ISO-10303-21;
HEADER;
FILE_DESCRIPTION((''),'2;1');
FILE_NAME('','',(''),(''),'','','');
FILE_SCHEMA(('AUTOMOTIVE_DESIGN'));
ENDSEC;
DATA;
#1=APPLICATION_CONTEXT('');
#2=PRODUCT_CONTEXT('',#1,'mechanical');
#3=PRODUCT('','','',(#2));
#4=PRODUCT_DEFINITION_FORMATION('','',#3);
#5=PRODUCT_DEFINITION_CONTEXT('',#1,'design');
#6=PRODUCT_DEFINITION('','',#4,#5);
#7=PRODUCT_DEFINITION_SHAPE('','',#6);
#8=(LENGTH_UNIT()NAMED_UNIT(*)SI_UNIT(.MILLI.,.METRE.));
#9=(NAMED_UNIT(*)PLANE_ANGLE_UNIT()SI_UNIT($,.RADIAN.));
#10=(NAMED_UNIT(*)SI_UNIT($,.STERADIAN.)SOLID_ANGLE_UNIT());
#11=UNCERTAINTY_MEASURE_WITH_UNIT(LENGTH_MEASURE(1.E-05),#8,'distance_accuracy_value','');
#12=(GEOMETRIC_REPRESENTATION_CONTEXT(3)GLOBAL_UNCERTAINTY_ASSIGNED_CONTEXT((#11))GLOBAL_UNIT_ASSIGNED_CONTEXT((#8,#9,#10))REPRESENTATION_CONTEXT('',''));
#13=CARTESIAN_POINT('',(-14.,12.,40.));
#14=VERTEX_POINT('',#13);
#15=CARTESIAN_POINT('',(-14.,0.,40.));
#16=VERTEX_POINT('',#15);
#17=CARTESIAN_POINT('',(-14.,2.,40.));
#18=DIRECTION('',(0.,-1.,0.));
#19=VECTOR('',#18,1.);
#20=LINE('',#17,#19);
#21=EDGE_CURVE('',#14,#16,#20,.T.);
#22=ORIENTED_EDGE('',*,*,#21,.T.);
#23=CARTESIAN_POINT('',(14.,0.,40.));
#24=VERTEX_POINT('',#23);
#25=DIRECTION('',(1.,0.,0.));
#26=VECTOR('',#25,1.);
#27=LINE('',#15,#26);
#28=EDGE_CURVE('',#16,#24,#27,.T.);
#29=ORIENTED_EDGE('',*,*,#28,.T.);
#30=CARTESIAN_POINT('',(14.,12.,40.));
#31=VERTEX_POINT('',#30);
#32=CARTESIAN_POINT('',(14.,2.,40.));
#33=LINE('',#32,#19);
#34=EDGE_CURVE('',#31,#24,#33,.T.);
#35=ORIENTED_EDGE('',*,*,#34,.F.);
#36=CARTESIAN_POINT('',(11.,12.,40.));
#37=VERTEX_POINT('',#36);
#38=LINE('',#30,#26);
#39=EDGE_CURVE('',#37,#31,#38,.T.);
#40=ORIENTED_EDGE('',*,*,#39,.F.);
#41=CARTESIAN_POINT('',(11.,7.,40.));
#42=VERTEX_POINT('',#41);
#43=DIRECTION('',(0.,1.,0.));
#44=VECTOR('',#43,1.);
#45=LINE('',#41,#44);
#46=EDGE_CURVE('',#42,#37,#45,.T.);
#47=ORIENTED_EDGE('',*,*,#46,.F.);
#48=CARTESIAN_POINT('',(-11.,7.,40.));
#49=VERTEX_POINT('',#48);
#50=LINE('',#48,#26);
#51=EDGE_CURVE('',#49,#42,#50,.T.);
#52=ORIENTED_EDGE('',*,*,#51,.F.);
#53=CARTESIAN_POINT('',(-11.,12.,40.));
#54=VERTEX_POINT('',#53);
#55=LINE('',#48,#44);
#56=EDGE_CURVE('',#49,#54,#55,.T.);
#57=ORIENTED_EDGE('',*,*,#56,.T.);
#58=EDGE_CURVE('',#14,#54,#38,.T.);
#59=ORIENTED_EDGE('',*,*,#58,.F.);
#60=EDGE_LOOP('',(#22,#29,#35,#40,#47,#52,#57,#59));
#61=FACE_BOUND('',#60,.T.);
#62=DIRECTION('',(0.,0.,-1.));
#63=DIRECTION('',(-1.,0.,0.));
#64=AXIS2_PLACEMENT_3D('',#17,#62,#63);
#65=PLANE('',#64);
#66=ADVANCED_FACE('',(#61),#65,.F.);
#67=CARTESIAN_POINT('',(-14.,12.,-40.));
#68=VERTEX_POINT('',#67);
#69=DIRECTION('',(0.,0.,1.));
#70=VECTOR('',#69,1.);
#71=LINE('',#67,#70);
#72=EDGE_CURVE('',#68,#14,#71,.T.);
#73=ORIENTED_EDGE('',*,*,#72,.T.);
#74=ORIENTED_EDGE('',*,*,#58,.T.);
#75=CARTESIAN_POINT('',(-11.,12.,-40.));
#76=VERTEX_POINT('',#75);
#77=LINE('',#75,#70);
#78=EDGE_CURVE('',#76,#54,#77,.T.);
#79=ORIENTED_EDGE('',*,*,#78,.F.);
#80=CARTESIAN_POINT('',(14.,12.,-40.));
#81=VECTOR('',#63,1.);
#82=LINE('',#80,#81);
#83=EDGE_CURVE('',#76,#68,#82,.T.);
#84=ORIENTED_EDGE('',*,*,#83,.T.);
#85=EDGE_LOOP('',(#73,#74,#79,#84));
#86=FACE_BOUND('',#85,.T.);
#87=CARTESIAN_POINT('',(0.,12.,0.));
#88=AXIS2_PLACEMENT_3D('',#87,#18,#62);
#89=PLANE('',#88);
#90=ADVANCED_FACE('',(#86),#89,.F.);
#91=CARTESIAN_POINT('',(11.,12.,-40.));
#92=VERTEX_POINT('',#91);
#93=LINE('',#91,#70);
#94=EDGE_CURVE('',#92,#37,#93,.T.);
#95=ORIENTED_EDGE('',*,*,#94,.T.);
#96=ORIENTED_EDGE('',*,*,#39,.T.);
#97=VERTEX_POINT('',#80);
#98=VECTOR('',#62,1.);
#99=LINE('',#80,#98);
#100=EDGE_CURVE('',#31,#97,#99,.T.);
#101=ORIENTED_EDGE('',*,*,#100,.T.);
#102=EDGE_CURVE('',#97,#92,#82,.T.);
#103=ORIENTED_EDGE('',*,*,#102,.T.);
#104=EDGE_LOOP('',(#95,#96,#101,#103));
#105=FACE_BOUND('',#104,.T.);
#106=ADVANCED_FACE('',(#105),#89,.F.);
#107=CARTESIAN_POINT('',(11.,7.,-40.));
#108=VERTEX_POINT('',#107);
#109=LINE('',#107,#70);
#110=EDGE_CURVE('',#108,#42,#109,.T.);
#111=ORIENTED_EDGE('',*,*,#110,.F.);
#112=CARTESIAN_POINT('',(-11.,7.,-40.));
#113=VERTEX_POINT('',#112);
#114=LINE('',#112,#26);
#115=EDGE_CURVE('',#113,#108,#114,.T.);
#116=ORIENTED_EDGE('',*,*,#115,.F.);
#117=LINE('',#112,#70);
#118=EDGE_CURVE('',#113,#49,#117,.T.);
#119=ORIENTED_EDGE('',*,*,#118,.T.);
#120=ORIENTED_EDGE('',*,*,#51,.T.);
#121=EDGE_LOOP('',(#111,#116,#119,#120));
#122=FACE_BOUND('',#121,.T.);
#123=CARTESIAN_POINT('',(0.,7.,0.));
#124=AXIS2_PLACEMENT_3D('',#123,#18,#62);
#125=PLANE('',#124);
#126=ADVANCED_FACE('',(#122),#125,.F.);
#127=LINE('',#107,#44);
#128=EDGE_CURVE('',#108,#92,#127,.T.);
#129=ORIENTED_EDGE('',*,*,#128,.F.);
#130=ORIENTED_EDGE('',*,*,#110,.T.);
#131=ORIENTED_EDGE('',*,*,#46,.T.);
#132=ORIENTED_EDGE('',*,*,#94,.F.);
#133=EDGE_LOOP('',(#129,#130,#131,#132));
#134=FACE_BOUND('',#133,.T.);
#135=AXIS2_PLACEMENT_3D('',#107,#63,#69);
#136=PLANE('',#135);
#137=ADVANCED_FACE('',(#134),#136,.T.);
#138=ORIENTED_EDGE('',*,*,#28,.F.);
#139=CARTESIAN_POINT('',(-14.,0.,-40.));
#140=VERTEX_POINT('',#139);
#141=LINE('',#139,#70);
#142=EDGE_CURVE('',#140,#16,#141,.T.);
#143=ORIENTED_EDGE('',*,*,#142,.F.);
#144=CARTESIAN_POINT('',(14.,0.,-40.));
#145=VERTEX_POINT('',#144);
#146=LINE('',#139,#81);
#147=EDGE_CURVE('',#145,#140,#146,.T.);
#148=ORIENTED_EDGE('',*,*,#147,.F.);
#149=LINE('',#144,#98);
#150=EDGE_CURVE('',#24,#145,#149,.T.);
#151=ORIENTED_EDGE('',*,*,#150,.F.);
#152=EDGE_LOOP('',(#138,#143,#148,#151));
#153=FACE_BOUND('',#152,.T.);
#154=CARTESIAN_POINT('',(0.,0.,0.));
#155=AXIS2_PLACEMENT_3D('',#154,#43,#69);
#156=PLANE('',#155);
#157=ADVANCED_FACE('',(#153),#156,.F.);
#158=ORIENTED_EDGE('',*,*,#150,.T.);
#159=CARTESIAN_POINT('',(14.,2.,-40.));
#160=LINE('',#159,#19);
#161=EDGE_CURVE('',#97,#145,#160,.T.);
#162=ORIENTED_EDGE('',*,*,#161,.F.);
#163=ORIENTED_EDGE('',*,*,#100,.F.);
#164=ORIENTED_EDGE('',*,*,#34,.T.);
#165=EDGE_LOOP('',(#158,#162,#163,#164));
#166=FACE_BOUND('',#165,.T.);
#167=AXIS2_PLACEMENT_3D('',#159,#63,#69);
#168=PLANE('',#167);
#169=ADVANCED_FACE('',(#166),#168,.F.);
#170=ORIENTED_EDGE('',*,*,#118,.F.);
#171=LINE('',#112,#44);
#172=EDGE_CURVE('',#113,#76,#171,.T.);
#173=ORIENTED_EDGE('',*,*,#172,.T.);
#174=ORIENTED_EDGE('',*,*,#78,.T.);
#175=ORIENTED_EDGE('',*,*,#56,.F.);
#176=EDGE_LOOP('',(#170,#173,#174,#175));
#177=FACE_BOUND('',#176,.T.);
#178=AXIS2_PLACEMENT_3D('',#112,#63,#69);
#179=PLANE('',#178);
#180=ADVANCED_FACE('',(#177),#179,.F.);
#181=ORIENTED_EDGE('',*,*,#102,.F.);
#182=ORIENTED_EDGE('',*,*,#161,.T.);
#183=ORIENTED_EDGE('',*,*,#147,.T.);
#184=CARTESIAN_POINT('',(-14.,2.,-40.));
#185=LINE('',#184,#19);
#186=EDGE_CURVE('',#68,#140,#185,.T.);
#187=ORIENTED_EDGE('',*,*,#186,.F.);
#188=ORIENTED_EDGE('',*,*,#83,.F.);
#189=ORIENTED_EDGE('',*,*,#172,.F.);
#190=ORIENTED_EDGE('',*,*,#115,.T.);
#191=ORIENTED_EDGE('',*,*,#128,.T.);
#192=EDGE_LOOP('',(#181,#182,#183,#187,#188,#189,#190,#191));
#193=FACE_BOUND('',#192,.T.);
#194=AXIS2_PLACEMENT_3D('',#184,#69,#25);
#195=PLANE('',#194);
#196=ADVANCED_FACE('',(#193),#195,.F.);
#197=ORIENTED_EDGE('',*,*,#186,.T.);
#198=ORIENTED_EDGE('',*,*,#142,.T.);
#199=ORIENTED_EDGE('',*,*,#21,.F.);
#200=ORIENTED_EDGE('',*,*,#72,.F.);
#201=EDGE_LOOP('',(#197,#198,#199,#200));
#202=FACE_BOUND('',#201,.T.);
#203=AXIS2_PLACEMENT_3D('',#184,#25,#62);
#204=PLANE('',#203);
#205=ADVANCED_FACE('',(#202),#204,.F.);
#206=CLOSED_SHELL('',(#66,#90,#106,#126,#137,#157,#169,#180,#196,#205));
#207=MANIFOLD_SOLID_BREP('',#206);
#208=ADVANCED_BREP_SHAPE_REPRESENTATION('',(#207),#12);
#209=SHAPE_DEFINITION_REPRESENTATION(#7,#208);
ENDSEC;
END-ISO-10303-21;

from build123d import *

# Parameters (mm, degrees)
SKETCH1_W           = 28
SKETCH1_H           = 80
BOSS_EXTRUDE1_DEPTH = 2
SKETCH2_W           = 28
SKETCH2_H           = 80
BOSS_EXTRUDE2_DEPTH = 10
SKETCH3_W           = 22
SKETCH3_H           = 80
CUT_EXTRUDE1_DEPTH  = 5


with BuildPart() as part:
    # Sketch1 → Boss-Extrude1 (new body)
    with BuildSketch(Plane(origin=(0, 0, 0), x_dir=(1, 0, 0), z_dir=(0, 1, 0))):
        Rectangle(SKETCH1_W, SKETCH1_H)
    extrude(amount=BOSS_EXTRUDE1_DEPTH)

    # Sketch2 → Boss-Extrude2 (add)
    with BuildSketch(Plane(origin=(0, 2, 0), x_dir=(1, 0, 0), z_dir=(0, 1, 0))):
        Rectangle(SKETCH2_W, SKETCH2_H)
    extrude(amount=BOSS_EXTRUDE2_DEPTH)

    # Sketch3 → Cut-Extrude1 (cut)
    with BuildSketch(Plane(origin=(0, 12, 0), x_dir=(1, 0, 0), z_dir=(0, 1, 0))):
        Rectangle(SKETCH3_W, SKETCH3_H)
    extrude(amount=-CUT_EXTRUDE1_DEPTH, mode=Mode.SUBTRACT)


solid = part.part
